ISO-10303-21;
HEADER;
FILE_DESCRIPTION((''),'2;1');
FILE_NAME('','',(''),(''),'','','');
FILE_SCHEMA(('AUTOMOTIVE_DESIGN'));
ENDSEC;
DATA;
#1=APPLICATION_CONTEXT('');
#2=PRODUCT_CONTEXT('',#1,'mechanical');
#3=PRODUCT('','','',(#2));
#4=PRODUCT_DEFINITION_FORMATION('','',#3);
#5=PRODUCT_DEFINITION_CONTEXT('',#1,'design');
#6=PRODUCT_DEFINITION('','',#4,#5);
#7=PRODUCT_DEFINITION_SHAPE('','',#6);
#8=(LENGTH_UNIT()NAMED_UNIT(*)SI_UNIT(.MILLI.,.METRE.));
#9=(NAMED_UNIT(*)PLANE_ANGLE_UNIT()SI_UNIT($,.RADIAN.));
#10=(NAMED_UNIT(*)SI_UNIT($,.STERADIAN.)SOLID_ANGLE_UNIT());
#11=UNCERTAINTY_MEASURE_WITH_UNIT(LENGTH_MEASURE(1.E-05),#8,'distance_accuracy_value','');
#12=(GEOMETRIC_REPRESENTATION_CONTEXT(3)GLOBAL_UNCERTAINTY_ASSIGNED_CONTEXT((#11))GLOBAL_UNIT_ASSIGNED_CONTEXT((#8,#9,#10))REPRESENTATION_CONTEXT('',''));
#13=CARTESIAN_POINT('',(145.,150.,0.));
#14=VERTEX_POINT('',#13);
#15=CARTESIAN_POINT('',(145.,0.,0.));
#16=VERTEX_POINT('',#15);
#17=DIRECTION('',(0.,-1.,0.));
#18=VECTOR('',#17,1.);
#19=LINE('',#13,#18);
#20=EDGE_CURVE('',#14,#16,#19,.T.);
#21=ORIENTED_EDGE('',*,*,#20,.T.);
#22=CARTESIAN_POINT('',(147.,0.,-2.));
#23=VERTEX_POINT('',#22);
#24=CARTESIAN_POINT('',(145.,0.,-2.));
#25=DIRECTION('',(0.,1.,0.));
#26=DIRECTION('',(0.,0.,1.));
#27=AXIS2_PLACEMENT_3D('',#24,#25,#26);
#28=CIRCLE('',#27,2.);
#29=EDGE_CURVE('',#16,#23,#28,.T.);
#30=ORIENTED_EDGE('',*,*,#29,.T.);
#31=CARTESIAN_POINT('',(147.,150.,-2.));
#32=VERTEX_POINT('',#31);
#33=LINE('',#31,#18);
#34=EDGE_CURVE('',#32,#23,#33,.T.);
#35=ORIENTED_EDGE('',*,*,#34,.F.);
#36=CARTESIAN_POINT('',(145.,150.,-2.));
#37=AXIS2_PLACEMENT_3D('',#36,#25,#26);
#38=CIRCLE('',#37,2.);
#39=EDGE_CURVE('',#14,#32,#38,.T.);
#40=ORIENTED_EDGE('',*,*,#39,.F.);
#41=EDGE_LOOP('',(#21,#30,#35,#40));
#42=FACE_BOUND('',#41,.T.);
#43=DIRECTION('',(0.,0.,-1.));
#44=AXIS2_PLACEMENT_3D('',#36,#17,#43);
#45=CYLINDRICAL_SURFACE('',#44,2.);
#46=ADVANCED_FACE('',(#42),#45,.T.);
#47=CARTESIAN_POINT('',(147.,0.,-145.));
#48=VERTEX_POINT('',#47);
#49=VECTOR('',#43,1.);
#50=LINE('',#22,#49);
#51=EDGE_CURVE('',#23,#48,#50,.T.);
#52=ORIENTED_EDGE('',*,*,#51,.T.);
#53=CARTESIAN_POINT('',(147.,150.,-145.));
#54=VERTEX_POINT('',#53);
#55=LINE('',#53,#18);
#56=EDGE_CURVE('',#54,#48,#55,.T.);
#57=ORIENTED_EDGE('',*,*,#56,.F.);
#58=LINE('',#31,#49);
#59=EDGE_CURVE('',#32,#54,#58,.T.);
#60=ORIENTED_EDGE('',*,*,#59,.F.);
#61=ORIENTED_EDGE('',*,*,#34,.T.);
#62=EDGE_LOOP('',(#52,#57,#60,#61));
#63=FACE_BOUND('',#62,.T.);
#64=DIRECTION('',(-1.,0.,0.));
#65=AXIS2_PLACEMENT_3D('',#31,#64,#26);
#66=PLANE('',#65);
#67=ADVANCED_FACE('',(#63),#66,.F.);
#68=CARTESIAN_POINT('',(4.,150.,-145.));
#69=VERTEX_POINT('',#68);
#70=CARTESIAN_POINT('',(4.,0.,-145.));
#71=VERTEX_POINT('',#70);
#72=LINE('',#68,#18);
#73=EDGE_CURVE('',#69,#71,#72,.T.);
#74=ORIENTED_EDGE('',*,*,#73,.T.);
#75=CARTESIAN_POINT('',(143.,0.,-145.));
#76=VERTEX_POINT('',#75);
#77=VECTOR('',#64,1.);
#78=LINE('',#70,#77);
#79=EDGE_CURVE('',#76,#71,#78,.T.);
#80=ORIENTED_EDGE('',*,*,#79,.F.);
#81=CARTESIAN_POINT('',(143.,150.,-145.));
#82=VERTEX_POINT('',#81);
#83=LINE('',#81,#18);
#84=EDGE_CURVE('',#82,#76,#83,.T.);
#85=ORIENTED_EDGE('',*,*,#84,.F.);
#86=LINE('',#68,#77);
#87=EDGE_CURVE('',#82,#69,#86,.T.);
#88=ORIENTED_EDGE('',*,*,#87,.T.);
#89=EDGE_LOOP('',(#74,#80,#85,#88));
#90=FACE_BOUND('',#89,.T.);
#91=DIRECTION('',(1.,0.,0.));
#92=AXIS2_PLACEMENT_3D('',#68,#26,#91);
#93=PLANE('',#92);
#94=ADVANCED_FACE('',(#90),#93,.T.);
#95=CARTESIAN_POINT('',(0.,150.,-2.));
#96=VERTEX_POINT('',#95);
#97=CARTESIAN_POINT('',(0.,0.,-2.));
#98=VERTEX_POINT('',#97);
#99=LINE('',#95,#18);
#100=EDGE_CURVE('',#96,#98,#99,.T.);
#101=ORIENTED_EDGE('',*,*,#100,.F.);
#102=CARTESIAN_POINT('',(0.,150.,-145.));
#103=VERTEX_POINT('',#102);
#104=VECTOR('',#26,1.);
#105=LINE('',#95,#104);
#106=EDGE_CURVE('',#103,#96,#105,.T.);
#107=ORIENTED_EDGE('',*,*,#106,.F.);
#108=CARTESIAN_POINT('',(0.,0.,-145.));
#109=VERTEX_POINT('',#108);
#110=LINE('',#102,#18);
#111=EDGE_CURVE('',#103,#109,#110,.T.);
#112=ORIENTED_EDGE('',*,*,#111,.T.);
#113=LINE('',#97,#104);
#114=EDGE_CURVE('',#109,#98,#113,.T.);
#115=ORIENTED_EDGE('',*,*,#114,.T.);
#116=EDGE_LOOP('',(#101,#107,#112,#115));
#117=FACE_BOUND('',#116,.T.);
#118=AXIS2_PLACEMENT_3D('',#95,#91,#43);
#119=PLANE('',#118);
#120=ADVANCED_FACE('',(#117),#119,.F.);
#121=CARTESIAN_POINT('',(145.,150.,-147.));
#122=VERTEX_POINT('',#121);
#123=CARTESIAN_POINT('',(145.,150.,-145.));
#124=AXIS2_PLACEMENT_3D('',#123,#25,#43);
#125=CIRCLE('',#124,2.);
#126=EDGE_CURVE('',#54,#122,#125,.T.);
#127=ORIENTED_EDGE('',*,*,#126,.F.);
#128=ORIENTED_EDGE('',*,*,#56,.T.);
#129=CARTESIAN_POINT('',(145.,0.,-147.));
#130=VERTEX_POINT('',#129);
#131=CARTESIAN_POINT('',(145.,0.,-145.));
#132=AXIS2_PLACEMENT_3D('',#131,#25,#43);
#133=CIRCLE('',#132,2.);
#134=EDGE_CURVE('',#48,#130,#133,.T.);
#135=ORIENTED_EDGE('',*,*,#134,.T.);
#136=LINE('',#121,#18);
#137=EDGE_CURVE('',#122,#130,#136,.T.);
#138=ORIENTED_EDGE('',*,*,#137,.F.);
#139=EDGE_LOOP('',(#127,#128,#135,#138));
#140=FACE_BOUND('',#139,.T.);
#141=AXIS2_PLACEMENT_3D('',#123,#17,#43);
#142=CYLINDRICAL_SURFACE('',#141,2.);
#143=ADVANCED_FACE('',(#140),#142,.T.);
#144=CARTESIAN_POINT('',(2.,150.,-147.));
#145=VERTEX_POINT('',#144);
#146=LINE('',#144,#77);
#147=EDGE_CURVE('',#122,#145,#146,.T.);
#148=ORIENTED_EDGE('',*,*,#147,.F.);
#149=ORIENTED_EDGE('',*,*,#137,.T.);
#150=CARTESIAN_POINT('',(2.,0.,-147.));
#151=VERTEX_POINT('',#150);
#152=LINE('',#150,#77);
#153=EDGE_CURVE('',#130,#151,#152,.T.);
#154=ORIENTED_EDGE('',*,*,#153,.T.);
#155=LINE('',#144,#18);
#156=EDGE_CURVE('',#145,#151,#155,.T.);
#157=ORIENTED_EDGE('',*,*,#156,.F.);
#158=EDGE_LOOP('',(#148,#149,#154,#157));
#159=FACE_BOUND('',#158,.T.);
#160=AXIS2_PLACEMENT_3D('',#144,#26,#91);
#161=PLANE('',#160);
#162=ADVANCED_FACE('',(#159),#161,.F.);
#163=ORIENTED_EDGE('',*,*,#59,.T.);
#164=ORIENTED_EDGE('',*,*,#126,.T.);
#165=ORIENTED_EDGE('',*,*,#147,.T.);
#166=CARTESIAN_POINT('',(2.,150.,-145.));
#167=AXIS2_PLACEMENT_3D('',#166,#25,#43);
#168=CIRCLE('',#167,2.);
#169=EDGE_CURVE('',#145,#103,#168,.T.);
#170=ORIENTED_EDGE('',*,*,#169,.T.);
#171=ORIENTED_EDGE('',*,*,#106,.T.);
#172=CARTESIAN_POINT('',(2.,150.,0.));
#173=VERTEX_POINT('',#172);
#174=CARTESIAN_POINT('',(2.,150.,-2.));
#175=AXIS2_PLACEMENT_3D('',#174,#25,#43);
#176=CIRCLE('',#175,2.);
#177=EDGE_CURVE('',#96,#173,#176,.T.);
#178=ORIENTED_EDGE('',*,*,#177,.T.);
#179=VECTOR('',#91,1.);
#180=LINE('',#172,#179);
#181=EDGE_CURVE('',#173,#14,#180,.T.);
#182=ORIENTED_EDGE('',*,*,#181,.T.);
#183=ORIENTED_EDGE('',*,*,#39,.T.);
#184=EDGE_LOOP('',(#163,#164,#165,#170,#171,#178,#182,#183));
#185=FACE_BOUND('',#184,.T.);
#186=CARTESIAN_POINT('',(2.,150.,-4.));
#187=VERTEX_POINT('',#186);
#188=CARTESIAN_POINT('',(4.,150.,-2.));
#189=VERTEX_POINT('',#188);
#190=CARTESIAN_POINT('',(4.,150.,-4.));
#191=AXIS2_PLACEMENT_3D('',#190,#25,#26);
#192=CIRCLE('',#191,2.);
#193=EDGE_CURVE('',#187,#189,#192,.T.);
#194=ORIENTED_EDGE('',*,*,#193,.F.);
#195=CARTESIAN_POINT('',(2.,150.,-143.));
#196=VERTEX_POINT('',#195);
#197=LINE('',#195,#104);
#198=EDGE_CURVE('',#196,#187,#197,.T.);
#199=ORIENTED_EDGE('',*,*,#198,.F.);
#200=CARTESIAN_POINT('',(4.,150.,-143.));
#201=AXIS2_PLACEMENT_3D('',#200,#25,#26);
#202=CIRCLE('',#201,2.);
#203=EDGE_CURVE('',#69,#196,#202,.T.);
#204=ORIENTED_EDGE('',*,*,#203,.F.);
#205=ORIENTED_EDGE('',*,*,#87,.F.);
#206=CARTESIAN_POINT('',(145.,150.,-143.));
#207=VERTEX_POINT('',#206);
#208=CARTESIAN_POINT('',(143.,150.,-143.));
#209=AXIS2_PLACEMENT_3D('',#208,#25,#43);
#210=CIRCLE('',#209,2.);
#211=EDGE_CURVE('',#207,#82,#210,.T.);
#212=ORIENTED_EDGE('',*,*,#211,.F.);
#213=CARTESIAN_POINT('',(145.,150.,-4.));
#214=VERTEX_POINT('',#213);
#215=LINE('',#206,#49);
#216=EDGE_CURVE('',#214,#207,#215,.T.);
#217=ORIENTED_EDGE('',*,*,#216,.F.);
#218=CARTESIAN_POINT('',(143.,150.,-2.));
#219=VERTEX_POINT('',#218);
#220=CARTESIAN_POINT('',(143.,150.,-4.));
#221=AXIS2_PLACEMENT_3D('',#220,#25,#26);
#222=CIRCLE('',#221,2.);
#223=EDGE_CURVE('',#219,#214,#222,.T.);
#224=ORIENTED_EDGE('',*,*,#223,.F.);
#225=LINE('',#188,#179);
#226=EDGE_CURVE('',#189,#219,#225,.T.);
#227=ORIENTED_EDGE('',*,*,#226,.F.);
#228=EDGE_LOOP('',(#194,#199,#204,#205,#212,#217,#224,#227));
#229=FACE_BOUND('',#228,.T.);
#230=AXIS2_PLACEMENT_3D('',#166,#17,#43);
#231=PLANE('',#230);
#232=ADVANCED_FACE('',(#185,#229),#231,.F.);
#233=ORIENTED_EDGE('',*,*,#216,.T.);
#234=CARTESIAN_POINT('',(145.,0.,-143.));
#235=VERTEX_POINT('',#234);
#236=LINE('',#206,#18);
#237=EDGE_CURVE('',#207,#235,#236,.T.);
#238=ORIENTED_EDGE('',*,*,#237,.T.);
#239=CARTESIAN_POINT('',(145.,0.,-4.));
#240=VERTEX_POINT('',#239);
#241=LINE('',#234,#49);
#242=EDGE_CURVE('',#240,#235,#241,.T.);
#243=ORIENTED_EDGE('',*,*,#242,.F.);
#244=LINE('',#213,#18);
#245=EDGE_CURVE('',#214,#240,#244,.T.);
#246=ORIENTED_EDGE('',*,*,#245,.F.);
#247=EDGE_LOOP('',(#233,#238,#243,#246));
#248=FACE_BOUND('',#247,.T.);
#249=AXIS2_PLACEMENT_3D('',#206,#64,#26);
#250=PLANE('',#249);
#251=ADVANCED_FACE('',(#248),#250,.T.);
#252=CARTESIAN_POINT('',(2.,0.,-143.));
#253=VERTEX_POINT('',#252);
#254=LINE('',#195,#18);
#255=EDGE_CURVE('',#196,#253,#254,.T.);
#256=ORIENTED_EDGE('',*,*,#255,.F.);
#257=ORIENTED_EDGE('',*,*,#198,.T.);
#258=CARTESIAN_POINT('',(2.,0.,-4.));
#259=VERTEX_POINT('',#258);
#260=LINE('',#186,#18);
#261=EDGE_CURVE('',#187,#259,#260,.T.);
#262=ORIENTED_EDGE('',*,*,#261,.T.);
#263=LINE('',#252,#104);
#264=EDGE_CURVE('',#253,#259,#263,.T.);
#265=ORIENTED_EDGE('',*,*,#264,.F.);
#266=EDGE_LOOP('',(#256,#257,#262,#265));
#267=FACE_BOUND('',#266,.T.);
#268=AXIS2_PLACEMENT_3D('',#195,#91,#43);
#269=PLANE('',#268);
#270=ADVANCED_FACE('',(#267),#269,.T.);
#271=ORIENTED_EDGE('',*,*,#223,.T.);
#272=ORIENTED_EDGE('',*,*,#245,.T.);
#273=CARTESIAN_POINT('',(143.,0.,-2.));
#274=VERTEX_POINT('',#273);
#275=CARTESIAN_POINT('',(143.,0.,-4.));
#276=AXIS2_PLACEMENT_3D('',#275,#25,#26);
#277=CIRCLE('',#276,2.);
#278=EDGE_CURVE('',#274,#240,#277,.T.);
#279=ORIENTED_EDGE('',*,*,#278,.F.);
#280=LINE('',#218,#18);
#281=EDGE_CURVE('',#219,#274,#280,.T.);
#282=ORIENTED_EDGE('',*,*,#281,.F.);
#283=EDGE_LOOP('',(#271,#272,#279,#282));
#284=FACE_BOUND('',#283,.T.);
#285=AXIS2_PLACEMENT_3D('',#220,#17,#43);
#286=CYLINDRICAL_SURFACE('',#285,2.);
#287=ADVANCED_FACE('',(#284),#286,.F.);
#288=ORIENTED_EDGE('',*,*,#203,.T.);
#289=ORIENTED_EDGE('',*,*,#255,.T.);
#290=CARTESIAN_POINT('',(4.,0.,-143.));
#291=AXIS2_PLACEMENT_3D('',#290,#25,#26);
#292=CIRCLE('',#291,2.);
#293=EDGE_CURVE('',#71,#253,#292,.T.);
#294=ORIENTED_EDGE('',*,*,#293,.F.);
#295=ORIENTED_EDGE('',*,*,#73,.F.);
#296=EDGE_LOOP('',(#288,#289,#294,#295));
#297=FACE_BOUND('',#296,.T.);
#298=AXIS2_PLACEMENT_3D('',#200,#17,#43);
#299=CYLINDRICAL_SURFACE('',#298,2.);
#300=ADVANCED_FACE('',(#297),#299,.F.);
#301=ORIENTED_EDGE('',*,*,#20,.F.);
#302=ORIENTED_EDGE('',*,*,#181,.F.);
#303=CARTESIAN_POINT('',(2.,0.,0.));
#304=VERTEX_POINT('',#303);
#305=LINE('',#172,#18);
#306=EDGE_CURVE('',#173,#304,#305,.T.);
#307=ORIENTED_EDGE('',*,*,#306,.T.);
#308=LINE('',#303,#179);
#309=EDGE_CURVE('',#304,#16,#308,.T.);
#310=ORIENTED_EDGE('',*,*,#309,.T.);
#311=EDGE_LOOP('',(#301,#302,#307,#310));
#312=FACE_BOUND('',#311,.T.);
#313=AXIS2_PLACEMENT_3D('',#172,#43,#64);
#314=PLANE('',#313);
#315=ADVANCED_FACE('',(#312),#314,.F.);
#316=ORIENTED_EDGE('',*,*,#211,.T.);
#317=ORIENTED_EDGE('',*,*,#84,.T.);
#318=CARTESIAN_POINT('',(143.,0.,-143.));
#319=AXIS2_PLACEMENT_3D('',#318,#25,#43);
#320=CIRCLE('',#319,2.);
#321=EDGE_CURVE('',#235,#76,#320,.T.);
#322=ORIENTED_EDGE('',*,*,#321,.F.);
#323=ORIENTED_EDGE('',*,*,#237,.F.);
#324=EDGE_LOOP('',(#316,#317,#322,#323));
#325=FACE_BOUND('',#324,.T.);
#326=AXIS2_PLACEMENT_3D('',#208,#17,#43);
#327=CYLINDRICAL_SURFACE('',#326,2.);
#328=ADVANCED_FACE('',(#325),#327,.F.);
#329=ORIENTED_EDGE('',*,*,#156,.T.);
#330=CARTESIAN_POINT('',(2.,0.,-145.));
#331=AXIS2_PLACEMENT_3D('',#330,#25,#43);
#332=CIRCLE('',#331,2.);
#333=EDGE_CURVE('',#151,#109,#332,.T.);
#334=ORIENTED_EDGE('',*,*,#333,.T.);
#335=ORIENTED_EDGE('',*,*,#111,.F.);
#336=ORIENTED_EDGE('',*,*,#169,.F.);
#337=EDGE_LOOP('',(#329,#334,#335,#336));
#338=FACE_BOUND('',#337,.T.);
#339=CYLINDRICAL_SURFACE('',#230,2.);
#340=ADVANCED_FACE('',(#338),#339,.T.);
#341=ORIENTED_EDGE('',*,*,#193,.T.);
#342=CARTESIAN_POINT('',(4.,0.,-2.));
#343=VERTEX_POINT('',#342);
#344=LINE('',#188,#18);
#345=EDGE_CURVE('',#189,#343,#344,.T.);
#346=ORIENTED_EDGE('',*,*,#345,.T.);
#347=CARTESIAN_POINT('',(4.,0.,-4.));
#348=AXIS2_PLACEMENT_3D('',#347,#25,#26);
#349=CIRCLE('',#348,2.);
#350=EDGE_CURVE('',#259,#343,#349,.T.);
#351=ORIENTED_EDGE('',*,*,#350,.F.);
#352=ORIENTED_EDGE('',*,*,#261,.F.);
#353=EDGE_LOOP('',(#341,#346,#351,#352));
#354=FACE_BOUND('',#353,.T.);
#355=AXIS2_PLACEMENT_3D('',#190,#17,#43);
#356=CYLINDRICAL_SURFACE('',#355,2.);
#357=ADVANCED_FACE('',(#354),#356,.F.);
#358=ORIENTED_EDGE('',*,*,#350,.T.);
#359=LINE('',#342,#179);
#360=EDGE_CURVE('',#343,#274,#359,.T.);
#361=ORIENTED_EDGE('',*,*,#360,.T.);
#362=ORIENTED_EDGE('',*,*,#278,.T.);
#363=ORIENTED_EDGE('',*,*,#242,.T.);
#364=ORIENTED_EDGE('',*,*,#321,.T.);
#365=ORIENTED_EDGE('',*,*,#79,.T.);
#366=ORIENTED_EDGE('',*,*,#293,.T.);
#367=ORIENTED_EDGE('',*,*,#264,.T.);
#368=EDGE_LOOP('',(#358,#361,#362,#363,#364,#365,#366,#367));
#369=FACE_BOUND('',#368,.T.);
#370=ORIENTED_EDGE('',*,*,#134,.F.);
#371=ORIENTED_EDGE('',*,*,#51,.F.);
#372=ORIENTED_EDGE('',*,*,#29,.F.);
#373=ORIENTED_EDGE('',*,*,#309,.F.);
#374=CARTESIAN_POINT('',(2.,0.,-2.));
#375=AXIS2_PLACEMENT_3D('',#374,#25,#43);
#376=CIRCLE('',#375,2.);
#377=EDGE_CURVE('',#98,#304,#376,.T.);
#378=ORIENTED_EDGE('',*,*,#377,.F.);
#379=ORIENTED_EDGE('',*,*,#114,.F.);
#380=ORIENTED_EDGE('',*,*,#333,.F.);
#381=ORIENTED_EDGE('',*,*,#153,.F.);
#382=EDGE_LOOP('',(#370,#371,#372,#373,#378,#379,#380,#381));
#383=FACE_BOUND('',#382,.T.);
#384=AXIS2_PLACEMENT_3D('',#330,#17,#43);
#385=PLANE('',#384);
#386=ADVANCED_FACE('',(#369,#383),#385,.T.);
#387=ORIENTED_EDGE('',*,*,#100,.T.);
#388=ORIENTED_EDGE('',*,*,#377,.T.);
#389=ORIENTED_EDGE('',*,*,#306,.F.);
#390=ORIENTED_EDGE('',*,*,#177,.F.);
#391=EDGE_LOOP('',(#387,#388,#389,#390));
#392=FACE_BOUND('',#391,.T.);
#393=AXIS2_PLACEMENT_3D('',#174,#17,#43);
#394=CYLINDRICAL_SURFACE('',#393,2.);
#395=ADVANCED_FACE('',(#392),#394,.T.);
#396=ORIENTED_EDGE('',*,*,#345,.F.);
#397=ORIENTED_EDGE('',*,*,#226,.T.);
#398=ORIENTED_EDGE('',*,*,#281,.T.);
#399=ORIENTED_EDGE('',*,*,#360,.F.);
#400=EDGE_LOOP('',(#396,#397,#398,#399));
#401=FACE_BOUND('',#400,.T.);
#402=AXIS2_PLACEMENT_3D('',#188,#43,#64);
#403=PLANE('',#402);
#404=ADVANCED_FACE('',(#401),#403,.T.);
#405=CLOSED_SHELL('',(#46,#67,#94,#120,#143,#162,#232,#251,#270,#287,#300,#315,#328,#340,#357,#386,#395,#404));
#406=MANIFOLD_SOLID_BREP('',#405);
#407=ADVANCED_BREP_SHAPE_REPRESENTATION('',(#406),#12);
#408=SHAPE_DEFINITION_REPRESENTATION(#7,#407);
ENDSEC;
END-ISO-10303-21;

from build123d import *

# Parameters (mm, degrees)
EXTRUDE_1_DEPTH = 150


with BuildPart() as part:
    # Эскиз1 → Бобышка-Вытянуть1 (new body)
    with BuildSketch(Plane(origin=(0, 0, 0), x_dir=(1, 0, 0), z_dir=(0, 1, 0))):
        with BuildLine():
            Line((2, 0), (145, 0))
            ThreePointArc((145, 0), (146.414213562, 0.585786438), (147, 2))
            Line((147, 2), (147, 145))
            ThreePointArc((147, 145), (146.414213562, 146.414213562), (145, 147))
            Line((145, 147), (2, 147))
            ThreePointArc((2, 147), (0.585786438, 146.414213562), (0, 145))
            Line((0, 145), (0, 2))
            ThreePointArc((0, 2), (0.585786438, 0.585786438), (2, 0))
        make_face()
        with BuildLine():
            Line((4, 145), (143, 145))
            ThreePointArc((143, 145), (144.414213562, 144.414213562), (145, 143))
            Line((145, 143), (145, 4))
            ThreePointArc((145, 4), (144.414213562, 2.585786438), (143, 2))
            Line((143, 2), (4, 2))
            ThreePointArc((4, 2), (2.585786438, 2.585786438), (2, 4))
            Line((2, 4), (2, 143))
            ThreePointArc((2, 143), (2.585786438, 144.414213562), (4, 145))
        make_face(mode=Mode.SUBTRACT)
    extrude(amount=EXTRUDE_1_DEPTH)


solid = part.part
